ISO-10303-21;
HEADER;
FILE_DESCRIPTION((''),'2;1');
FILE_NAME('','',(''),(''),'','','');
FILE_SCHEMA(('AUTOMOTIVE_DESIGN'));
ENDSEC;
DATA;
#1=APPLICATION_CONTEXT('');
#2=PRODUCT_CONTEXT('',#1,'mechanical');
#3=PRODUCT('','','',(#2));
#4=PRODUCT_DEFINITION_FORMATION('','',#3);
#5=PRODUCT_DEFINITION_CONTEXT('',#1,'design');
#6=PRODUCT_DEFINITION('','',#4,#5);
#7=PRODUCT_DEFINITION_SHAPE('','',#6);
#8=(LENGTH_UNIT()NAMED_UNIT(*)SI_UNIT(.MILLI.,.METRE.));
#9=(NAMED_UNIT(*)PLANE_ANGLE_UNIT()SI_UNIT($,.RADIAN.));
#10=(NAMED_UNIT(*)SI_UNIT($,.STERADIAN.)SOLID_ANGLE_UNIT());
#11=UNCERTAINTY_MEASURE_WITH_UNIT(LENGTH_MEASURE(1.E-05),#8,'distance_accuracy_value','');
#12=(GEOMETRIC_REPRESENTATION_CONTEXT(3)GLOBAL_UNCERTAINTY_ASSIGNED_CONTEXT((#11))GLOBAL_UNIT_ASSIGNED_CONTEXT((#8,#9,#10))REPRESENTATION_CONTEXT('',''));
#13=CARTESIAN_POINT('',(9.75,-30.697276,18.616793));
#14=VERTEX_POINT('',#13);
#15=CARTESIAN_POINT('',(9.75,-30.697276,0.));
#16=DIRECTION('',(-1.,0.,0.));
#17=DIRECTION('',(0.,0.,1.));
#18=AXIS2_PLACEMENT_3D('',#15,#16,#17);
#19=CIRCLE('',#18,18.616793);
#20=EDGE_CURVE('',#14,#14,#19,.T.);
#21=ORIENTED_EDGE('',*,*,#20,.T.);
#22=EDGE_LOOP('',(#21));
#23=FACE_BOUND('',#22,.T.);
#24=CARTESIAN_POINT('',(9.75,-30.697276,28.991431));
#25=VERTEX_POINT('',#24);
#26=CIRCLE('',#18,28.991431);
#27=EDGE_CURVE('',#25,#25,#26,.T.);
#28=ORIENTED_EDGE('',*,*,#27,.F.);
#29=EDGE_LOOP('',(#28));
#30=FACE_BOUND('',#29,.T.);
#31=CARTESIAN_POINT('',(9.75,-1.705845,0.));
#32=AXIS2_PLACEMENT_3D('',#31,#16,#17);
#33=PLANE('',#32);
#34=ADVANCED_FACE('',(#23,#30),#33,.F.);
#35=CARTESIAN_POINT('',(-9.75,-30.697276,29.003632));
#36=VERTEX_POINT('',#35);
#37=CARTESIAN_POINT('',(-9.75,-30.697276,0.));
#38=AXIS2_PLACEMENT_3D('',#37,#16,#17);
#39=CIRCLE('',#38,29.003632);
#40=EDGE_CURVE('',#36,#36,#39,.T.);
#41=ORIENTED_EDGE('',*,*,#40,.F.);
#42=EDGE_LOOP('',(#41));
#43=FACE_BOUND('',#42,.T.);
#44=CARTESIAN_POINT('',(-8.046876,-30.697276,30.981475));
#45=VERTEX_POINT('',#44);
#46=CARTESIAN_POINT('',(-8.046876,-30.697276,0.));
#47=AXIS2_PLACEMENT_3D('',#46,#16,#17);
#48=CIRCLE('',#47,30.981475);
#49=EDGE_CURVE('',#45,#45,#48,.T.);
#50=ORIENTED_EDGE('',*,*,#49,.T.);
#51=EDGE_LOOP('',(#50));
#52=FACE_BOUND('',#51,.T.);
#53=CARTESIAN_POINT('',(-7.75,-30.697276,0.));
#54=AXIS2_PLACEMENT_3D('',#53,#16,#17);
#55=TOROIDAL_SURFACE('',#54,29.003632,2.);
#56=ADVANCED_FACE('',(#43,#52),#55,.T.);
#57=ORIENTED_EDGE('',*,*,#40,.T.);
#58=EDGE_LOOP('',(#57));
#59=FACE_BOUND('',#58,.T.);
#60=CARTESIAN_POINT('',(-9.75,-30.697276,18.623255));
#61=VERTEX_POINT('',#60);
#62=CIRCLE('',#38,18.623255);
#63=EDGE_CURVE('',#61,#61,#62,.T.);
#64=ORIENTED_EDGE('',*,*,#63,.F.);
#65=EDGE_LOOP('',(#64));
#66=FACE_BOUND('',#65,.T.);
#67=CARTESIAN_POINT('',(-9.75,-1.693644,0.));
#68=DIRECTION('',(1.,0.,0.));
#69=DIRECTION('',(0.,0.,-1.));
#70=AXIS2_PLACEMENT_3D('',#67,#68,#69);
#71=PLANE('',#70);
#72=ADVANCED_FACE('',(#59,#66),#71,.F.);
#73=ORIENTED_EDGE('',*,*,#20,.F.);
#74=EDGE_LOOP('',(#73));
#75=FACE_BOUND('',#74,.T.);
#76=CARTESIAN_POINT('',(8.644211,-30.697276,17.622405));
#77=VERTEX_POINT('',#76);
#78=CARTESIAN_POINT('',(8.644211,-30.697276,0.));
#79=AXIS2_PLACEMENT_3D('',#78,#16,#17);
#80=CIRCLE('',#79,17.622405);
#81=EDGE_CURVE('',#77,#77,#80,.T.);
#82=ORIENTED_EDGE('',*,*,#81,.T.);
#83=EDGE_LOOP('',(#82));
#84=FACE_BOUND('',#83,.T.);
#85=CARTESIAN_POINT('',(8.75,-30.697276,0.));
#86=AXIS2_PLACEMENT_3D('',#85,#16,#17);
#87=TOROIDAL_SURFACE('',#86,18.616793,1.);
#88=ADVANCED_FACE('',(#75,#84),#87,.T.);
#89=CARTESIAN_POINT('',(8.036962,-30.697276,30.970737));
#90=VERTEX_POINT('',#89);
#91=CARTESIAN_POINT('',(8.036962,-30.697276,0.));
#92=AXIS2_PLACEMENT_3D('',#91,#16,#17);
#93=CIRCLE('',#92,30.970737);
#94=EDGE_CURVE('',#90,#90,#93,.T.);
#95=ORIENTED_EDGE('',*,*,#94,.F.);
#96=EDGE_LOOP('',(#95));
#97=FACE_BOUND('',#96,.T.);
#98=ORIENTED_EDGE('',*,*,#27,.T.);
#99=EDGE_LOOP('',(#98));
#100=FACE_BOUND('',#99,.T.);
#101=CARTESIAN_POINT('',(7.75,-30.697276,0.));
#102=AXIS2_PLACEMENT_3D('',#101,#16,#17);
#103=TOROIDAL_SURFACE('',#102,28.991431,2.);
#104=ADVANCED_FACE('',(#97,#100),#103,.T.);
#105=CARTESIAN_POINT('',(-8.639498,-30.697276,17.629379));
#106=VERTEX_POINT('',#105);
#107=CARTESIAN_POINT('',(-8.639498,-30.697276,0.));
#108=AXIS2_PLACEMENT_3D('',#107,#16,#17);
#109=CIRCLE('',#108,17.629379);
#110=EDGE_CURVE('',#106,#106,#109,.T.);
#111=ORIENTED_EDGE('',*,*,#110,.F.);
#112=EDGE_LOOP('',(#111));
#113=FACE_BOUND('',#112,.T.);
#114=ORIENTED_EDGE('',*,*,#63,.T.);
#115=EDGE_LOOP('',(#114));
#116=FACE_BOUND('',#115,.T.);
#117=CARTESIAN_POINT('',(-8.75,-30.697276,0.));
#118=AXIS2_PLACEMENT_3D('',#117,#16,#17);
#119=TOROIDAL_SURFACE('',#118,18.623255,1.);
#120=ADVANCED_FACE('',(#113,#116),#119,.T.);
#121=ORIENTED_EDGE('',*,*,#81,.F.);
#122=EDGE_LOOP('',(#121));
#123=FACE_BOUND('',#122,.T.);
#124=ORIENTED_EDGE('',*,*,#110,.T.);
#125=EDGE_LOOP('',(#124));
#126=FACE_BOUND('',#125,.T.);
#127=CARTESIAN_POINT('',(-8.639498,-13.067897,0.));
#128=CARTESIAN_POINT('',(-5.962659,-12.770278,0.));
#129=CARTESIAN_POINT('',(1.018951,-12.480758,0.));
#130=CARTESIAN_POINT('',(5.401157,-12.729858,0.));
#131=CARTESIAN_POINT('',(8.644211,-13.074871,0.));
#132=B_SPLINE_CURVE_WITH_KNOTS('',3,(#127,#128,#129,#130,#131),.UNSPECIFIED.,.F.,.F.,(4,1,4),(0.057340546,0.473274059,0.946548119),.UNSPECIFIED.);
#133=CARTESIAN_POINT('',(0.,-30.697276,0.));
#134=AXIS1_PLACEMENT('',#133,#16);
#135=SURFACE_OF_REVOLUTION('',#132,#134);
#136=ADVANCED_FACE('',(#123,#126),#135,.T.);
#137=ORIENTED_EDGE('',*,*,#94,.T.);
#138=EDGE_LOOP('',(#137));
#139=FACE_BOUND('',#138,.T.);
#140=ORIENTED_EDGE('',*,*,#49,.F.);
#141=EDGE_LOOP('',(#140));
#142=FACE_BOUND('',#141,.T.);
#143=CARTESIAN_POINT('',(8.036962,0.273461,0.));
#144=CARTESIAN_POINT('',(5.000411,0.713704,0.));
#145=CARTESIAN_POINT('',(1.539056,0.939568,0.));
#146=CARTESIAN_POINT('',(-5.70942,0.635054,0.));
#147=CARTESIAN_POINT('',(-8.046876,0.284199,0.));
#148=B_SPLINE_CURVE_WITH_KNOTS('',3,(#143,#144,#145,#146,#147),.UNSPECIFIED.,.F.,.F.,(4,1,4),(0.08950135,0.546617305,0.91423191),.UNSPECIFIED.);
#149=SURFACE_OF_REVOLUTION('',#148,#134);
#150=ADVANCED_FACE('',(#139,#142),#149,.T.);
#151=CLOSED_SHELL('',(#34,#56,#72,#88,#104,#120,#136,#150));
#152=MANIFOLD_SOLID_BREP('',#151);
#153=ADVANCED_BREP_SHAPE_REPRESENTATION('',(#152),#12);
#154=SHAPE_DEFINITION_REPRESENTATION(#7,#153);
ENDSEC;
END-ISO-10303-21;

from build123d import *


with BuildPart() as part:
    # Balayage1: sweep along a path in Esquisse2
    with BuildLine(Plane(origin=(0, 0, 0), x_dir=(0, 0, -1), z_dir=(1, 0, 0))) as balayage1_path:
        CenterArc((0, -30.697276077), 18.08, 0, 360)
    # Esquisse1 → Balayage1 (sweep)
    with BuildSketch(Plane.XY):
        with BuildLine():
            Line((9.75, -1.705844805), (9.75, -12.080482835))
            ThreePointArc((9.75, -12.080482835), (9.418659658, -12.824051434), (8.644211477, -13.074871486))
            add(Edge.make_bspline(
                [(-8.639497918, -13.06789707), (-5.962658662, -12.770278108), (1.018950966, -12.480757929), (5.401157061, -12.729857554), (8.644211477, -13.074871486)],
                knots=[0.057340546, 0.057340546, 0.057340546, 0.057340546, 0.473274059, 0.946548119, 0.946548119, 0.946548119, 0.946548119], degree=3))
            ThreePointArc((-8.639497918, -13.06789707), (-9.416895013, -12.819172867), (-9.75, -12.074021177))
            Line((-9.75, -12.074021177), (-9.75, -1.69364433))
            ThreePointArc((-9.75, -1.69364433), (-9.265544866, -0.388606491), (-8.04687624, 0.284199066))
            add(Edge.make_bspline(
                [(-8.04687624, 0.284199066), (-5.709420251, 0.63505351), (1.539056453, 0.939568483), (5.000411491, 0.71370426), (8.036962294, 0.273461297)],
                knots=[0.08950135, 0.08950135, 0.08950135, 0.08950135, 0.457115955, 0.91423191, 0.91423191, 0.91423191, 0.91423191], degree=3))
            ThreePointArc((8.036962294, 0.273461297), (9.262270576, -0.397014141), (9.75, -1.705844805))
        make_face()
    sweep(path=balayage1_path.line)


solid = part.part
